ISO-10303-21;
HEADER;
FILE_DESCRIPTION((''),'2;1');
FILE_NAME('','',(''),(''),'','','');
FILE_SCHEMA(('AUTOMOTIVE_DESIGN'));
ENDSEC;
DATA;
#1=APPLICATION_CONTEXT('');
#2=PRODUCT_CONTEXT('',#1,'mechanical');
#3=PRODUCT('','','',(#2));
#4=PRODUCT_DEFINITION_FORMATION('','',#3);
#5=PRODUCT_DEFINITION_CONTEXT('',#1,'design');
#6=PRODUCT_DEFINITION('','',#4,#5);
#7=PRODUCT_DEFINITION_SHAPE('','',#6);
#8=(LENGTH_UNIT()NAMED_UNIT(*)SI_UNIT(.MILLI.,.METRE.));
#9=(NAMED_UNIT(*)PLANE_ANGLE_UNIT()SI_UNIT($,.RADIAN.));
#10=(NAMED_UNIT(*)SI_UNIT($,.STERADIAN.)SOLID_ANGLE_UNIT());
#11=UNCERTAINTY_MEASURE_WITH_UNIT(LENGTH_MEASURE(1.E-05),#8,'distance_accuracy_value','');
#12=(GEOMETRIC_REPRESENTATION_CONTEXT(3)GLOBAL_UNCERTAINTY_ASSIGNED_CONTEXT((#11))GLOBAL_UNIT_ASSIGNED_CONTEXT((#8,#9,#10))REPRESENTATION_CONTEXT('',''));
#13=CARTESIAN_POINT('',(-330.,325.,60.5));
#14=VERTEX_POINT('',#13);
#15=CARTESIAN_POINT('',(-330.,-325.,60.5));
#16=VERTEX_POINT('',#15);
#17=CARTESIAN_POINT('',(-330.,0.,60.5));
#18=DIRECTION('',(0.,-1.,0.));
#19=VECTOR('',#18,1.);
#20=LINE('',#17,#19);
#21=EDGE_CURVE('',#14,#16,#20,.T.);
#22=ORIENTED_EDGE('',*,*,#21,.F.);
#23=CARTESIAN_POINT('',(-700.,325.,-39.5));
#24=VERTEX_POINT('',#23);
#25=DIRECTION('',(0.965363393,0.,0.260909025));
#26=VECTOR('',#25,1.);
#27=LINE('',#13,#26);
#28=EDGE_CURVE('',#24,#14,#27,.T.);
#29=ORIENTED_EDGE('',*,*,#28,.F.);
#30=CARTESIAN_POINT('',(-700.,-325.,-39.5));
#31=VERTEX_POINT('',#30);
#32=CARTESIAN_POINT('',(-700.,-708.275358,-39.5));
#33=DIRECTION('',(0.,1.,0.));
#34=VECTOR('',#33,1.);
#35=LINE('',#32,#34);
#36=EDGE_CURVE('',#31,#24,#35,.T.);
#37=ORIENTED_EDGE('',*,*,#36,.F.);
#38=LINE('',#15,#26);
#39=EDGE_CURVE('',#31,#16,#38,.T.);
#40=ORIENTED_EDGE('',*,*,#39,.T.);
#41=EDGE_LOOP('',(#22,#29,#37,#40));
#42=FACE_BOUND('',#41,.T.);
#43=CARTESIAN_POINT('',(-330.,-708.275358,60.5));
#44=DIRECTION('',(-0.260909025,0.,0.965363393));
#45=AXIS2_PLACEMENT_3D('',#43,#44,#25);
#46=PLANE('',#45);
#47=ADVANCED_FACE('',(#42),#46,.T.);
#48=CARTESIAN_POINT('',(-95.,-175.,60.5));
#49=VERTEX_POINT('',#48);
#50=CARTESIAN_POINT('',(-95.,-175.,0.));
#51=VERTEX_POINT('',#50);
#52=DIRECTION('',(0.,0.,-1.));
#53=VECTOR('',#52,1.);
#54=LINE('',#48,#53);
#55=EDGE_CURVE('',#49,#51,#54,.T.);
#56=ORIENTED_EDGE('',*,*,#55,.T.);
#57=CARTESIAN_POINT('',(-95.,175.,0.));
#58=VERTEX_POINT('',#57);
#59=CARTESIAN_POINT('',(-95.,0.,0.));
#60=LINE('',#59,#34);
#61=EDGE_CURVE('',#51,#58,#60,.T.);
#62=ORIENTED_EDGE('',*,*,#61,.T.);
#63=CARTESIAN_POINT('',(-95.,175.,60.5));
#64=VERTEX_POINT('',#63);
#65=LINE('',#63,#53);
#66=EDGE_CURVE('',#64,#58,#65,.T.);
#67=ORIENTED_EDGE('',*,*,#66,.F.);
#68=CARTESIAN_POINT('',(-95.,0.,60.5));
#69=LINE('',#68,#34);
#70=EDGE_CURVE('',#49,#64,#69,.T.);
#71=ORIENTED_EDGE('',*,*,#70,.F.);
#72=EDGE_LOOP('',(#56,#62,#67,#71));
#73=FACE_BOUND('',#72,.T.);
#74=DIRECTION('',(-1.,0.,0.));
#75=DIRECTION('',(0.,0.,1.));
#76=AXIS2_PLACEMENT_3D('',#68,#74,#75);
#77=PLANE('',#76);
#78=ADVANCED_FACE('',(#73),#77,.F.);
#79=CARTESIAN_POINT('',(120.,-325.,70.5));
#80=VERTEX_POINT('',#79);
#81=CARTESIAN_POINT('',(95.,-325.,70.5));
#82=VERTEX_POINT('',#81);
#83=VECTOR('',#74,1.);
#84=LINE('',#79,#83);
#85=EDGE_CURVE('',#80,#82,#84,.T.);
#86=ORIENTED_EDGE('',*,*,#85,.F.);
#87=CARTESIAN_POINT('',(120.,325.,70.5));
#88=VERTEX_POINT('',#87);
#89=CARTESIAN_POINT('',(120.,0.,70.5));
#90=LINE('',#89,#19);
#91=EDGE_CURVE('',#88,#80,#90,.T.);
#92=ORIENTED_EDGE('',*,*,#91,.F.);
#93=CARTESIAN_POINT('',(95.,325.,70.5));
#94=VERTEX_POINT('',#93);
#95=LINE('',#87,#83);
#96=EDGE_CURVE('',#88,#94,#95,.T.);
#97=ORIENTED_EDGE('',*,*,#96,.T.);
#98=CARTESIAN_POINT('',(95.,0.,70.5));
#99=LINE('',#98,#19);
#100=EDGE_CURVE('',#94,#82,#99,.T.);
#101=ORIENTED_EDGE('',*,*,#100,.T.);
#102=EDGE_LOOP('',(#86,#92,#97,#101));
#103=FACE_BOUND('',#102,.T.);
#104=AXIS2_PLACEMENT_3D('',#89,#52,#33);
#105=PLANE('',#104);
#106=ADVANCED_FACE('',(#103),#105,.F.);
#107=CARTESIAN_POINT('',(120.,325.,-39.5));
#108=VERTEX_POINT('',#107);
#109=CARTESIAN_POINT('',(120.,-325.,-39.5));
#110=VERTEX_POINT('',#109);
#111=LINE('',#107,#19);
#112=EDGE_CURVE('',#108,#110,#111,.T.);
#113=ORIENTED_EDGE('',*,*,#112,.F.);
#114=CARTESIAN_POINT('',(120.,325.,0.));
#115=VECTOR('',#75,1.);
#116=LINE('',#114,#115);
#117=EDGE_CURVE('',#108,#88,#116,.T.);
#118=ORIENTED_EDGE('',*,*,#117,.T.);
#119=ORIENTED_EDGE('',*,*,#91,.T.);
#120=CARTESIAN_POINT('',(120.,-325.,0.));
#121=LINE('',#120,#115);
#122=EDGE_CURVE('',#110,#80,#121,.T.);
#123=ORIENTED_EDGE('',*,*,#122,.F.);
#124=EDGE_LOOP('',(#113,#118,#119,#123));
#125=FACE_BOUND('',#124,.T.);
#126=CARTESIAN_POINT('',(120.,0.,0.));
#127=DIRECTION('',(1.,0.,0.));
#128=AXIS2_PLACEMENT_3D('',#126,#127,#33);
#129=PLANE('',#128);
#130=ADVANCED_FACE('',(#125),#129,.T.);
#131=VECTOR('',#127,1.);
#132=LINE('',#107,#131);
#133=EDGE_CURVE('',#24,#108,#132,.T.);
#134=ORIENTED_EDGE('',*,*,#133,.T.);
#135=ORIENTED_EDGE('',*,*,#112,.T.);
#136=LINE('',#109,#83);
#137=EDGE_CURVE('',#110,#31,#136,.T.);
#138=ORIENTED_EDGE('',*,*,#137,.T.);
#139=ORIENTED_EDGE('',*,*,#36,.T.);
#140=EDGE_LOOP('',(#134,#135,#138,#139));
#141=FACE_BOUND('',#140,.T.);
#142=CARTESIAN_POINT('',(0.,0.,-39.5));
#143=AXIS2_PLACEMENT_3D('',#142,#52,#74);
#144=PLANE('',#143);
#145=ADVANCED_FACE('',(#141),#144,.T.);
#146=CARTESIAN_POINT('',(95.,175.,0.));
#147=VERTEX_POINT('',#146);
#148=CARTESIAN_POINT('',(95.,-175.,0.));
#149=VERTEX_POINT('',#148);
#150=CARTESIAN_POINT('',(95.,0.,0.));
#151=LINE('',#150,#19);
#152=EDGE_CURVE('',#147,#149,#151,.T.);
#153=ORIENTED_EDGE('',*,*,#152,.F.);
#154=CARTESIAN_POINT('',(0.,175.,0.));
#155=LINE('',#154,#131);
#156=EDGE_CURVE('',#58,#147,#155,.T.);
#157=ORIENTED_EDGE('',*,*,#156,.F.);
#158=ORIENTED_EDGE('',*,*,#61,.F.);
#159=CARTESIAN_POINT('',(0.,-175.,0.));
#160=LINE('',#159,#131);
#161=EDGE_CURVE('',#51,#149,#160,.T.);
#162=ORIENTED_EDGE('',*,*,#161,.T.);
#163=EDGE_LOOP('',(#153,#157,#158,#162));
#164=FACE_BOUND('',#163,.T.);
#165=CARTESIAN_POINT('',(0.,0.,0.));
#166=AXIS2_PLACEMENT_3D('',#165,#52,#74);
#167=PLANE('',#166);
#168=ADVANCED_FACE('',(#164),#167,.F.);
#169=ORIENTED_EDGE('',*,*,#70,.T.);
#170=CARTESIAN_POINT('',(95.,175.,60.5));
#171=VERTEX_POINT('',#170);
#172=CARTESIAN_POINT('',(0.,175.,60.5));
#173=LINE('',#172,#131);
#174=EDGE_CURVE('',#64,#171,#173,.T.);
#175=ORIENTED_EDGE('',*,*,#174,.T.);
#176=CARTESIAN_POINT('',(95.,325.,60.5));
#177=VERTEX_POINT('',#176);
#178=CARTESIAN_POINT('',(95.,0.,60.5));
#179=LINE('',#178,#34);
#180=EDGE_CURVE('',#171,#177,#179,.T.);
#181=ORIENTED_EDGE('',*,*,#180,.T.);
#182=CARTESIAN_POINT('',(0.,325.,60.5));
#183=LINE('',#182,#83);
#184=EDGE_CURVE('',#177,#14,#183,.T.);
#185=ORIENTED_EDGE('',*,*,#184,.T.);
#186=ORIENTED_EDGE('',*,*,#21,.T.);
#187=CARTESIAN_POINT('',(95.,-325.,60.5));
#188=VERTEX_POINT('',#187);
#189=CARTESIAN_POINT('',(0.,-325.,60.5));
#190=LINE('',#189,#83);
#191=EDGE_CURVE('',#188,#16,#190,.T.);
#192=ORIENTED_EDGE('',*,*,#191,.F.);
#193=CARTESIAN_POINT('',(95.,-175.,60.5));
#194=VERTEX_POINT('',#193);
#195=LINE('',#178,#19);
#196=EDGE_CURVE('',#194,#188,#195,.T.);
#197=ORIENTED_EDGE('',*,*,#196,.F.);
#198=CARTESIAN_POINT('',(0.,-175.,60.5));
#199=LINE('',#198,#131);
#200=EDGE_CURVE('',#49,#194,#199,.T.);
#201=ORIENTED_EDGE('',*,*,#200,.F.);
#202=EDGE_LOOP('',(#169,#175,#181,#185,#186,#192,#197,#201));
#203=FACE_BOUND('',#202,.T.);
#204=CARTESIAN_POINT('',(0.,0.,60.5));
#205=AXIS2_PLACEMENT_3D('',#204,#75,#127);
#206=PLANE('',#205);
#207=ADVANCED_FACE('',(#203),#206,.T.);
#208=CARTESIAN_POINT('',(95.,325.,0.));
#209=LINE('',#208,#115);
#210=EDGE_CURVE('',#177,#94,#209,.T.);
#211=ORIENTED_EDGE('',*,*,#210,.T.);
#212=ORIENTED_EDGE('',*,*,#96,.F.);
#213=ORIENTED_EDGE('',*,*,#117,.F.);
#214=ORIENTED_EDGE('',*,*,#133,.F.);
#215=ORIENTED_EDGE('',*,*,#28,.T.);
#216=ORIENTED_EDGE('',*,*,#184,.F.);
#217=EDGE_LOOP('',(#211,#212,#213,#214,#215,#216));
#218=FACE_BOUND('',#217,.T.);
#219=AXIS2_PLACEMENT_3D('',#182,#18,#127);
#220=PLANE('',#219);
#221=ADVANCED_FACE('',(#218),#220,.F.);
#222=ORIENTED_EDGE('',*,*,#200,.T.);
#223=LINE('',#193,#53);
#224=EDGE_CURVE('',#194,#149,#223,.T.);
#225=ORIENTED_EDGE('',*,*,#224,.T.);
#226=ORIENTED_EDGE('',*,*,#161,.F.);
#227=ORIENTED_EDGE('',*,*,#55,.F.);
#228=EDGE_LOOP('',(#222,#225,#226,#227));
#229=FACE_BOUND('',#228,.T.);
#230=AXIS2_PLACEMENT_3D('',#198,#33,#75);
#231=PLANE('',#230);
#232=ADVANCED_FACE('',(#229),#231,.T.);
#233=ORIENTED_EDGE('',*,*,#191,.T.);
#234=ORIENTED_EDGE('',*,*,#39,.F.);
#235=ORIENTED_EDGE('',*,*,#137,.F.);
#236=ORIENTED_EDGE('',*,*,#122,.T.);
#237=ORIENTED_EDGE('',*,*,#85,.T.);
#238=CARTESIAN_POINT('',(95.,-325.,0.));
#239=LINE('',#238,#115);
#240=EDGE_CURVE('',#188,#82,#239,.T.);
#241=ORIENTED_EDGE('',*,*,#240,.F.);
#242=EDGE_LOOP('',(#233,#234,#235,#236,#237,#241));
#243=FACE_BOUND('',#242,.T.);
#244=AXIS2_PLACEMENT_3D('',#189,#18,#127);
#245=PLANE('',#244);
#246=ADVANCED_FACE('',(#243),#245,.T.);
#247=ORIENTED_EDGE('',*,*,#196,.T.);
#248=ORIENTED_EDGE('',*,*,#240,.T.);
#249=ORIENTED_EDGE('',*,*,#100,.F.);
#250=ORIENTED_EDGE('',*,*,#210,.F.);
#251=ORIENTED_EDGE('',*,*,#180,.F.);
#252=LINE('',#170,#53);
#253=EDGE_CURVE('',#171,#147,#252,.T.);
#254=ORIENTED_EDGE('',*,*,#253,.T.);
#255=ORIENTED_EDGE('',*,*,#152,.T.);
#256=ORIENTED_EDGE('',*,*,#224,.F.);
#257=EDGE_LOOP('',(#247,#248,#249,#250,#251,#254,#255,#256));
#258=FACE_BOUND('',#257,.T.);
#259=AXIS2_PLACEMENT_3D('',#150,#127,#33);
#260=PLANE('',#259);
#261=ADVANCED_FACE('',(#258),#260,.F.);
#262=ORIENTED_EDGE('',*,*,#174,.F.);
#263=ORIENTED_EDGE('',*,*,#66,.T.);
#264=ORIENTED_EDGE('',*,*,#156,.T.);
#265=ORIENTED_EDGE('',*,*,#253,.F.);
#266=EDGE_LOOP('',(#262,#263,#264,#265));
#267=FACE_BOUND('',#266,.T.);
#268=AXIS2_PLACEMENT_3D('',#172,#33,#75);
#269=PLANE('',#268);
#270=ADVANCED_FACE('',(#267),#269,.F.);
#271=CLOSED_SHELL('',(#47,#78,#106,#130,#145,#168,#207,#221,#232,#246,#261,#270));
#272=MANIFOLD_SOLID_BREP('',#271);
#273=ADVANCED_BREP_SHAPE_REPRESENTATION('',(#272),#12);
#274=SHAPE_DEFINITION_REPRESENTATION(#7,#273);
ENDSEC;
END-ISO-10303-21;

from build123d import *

# Parameters (mm, degrees)
SKETCH1_W           = 190
SKETCH1_H           = 150
BOSS_EXTRUDE1_DEPTH = 60.5
SKETCH3_W           = 60.5
SKETCH3_H           = 150
BOSS_EXTRUDE2_DEPTH = 25
SKETCH4_W           = 450
SKETCH4_H           = 650
BOSS_EXTRUDE3_DEPTH = 39.5
BOSS_EXTRUDE4_DEPTH = 650


with BuildPart() as part:
    # Sketch1 → Boss-Extrude1 (new body)
    with BuildSketch(Plane.XY):
        with Locations((0, 250)):
            Rectangle(SKETCH1_W, SKETCH1_H)
        Polygon((-95, -175), (-95, 175), (-95, 325), (-330, 325), (-330, -325), (95, -325), (95, -175), align=None)
    extrude(amount=BOSS_EXTRUDE1_DEPTH)

    # Sketch3 → Boss-Extrude2 (add)
    with BuildSketch(Plane(origin=(95, 0, 0), x_dir=(0, 0, -1), z_dir=(1, 0, 0))):
        Polygon((-70.5, -325), (0, -325), (0, 175), (-60.5, 175), (-60.5, 325), (-70.5, 325), align=None)
        with Locations((-30.25, 250)):
            Rectangle(SKETCH3_W, SKETCH3_H)
    extrude(amount=BOSS_EXTRUDE2_DEPTH)

    # Sketch4 → Boss-Extrude3 (add)
    with BuildSketch(Plane(origin=(0, 0, 0), x_dir=(-1, 0, 0), z_dir=(0, 0, -1))):
        with Locations((105, 0)):
            Rectangle(SKETCH4_W, SKETCH4_H)
    extrude(amount=BOSS_EXTRUDE3_DEPTH)

    # Sketch8 → Boss-Extrude4 (add)
    with BuildSketch(Plane(origin=(0, 325, 0), x_dir=(1, 0, 0), z_dir=(0, 1, 0))):
        Polygon((-330, -60.5), (-700, 39.5), (-330, 39.5), align=None)
    extrude(amount=-BOSS_EXTRUDE4_DEPTH)


solid = part.part
